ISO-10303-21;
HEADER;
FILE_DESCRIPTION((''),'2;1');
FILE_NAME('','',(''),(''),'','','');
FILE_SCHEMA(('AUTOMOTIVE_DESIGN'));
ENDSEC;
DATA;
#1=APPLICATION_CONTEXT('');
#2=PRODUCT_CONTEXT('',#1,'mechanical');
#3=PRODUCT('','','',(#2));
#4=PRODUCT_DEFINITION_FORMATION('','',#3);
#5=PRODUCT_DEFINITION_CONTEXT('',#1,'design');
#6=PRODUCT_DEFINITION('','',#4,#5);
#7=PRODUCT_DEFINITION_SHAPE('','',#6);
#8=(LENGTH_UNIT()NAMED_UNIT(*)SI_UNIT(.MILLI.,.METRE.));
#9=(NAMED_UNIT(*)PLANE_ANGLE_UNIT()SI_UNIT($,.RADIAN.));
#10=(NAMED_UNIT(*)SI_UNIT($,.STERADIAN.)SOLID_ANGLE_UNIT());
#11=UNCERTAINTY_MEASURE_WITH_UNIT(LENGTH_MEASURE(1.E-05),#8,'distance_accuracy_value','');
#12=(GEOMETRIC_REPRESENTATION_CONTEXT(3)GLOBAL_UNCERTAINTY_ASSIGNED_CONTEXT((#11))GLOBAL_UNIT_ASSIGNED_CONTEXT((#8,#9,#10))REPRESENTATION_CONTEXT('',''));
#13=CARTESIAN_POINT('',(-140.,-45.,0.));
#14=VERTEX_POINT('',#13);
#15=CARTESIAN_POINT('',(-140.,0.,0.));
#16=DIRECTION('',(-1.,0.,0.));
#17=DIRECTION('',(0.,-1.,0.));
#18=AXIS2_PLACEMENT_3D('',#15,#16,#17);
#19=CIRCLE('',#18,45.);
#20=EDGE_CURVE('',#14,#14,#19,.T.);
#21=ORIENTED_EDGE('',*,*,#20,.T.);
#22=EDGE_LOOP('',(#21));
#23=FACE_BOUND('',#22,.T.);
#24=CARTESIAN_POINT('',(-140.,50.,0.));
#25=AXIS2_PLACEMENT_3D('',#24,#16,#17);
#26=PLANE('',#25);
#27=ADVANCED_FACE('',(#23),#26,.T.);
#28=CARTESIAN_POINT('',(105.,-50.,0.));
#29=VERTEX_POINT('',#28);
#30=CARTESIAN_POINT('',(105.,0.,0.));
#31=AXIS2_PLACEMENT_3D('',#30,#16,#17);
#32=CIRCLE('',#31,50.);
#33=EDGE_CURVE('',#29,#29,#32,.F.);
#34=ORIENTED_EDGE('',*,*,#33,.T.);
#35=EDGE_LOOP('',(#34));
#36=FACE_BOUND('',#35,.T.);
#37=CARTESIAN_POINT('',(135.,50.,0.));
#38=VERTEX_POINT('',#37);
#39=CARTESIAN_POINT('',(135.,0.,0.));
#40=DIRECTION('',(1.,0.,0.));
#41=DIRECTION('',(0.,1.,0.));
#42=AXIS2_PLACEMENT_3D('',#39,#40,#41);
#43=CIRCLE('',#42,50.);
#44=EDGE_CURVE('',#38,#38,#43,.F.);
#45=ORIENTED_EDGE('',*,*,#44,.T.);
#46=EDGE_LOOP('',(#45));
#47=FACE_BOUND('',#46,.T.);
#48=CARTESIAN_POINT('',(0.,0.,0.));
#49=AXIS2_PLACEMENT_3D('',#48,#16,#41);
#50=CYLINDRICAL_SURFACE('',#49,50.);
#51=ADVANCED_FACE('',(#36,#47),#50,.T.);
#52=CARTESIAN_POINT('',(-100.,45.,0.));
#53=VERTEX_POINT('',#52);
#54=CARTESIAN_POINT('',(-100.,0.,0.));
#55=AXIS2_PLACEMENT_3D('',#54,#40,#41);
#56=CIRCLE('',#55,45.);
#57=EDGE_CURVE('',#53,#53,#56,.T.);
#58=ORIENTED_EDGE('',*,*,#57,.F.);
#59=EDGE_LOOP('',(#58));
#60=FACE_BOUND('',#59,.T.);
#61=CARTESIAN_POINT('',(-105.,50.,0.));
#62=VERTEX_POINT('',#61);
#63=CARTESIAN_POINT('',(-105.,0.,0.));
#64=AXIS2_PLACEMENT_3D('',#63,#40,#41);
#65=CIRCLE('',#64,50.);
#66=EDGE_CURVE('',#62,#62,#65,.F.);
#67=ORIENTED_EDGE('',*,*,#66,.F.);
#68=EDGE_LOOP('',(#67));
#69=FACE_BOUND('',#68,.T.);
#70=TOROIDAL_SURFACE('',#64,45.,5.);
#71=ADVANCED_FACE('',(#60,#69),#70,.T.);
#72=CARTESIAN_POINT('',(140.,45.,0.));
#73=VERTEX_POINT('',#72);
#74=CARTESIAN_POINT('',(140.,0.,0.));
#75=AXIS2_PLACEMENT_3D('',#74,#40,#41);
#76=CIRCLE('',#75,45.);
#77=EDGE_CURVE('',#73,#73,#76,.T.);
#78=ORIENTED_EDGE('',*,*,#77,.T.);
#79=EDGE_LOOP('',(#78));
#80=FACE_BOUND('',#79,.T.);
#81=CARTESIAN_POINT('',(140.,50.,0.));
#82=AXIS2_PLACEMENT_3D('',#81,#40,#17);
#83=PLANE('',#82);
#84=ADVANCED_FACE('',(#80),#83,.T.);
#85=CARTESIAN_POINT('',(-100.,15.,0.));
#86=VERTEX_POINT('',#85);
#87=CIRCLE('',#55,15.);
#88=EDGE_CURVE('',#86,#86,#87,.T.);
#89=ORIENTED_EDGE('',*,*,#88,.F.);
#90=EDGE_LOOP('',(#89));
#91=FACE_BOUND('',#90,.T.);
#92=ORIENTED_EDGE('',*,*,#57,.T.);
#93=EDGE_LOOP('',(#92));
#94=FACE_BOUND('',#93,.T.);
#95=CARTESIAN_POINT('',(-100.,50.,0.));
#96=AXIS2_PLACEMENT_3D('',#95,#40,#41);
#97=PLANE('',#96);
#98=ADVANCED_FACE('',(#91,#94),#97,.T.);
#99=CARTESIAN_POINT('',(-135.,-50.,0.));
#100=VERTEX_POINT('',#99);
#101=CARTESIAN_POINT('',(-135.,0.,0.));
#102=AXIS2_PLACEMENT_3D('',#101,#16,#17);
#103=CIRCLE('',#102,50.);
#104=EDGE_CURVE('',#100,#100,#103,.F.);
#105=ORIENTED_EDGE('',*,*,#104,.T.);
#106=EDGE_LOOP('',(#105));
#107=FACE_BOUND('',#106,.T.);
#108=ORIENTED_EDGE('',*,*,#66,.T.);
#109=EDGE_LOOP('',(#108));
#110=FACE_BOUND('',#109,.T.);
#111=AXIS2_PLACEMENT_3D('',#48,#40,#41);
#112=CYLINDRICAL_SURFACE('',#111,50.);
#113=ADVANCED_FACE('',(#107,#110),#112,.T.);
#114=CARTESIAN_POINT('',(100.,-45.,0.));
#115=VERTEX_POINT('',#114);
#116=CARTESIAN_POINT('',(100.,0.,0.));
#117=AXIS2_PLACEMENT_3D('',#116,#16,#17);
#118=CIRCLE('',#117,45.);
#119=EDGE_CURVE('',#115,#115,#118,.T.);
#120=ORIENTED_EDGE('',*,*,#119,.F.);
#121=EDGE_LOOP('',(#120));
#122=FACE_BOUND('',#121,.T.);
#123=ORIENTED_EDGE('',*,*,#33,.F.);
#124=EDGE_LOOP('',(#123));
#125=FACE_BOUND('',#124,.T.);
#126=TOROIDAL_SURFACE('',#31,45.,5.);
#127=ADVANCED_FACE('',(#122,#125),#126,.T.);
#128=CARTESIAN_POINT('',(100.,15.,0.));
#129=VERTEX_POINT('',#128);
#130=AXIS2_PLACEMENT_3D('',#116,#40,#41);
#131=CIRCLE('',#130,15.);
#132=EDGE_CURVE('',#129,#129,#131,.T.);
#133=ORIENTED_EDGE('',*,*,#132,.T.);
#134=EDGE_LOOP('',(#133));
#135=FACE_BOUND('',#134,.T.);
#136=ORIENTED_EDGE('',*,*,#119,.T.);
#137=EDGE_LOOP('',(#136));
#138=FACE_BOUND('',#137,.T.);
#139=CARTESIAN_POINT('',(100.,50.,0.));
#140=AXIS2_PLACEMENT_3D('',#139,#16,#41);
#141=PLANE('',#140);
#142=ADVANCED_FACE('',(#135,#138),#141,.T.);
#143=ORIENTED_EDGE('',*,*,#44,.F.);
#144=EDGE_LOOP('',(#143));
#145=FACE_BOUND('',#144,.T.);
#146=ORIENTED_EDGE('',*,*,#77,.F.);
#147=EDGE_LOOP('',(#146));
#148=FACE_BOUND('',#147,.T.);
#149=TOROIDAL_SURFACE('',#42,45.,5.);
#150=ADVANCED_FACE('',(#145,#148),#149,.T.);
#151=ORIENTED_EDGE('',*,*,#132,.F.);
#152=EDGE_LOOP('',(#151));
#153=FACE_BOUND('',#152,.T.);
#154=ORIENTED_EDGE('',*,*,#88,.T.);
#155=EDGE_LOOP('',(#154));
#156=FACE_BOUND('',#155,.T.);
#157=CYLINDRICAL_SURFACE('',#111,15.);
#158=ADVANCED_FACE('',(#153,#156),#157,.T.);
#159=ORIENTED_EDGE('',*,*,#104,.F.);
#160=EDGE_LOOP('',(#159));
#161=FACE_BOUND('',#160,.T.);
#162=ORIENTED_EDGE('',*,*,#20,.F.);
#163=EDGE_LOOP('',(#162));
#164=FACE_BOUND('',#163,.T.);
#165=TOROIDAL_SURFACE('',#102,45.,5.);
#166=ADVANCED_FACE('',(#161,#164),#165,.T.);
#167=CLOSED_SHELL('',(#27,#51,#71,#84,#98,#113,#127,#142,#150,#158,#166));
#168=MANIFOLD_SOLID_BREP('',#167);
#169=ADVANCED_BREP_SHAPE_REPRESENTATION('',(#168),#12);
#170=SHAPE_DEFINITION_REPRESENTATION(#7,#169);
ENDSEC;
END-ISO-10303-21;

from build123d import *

# Parameters (mm, degrees)
CONG_1_R = 5


with BuildPart() as part:
    # Esquisse1 → Révolution1 (revolve)
    with BuildSketch(Plane.XY):
        Polygon((0, 0), (-140, 0), (-140, 50), (-100, 50), (-100, 15), (0, 15), align=None)
    r_volution1 = revolve(axis=Axis((0, 0, 0), (-1, 0, 0)))

    # Symétrie1: Révolution1 across plane
    add(r_volution1.mirror(Plane(origin=(0, 0, 0), x_dir=(0, 0, 1), z_dir=(1, 0, 0))))

    # Congé1
    cong_1_edges = [part.edges().sort_by_distance(p)[0] for p in [
        (100, -50, 0),
        (140, -50, 0),
        (-140, -50, 0),
        (-100, -50, 0),
    ]]
    fillet(cong_1_edges, radius=CONG_1_R)


solid = part.part
